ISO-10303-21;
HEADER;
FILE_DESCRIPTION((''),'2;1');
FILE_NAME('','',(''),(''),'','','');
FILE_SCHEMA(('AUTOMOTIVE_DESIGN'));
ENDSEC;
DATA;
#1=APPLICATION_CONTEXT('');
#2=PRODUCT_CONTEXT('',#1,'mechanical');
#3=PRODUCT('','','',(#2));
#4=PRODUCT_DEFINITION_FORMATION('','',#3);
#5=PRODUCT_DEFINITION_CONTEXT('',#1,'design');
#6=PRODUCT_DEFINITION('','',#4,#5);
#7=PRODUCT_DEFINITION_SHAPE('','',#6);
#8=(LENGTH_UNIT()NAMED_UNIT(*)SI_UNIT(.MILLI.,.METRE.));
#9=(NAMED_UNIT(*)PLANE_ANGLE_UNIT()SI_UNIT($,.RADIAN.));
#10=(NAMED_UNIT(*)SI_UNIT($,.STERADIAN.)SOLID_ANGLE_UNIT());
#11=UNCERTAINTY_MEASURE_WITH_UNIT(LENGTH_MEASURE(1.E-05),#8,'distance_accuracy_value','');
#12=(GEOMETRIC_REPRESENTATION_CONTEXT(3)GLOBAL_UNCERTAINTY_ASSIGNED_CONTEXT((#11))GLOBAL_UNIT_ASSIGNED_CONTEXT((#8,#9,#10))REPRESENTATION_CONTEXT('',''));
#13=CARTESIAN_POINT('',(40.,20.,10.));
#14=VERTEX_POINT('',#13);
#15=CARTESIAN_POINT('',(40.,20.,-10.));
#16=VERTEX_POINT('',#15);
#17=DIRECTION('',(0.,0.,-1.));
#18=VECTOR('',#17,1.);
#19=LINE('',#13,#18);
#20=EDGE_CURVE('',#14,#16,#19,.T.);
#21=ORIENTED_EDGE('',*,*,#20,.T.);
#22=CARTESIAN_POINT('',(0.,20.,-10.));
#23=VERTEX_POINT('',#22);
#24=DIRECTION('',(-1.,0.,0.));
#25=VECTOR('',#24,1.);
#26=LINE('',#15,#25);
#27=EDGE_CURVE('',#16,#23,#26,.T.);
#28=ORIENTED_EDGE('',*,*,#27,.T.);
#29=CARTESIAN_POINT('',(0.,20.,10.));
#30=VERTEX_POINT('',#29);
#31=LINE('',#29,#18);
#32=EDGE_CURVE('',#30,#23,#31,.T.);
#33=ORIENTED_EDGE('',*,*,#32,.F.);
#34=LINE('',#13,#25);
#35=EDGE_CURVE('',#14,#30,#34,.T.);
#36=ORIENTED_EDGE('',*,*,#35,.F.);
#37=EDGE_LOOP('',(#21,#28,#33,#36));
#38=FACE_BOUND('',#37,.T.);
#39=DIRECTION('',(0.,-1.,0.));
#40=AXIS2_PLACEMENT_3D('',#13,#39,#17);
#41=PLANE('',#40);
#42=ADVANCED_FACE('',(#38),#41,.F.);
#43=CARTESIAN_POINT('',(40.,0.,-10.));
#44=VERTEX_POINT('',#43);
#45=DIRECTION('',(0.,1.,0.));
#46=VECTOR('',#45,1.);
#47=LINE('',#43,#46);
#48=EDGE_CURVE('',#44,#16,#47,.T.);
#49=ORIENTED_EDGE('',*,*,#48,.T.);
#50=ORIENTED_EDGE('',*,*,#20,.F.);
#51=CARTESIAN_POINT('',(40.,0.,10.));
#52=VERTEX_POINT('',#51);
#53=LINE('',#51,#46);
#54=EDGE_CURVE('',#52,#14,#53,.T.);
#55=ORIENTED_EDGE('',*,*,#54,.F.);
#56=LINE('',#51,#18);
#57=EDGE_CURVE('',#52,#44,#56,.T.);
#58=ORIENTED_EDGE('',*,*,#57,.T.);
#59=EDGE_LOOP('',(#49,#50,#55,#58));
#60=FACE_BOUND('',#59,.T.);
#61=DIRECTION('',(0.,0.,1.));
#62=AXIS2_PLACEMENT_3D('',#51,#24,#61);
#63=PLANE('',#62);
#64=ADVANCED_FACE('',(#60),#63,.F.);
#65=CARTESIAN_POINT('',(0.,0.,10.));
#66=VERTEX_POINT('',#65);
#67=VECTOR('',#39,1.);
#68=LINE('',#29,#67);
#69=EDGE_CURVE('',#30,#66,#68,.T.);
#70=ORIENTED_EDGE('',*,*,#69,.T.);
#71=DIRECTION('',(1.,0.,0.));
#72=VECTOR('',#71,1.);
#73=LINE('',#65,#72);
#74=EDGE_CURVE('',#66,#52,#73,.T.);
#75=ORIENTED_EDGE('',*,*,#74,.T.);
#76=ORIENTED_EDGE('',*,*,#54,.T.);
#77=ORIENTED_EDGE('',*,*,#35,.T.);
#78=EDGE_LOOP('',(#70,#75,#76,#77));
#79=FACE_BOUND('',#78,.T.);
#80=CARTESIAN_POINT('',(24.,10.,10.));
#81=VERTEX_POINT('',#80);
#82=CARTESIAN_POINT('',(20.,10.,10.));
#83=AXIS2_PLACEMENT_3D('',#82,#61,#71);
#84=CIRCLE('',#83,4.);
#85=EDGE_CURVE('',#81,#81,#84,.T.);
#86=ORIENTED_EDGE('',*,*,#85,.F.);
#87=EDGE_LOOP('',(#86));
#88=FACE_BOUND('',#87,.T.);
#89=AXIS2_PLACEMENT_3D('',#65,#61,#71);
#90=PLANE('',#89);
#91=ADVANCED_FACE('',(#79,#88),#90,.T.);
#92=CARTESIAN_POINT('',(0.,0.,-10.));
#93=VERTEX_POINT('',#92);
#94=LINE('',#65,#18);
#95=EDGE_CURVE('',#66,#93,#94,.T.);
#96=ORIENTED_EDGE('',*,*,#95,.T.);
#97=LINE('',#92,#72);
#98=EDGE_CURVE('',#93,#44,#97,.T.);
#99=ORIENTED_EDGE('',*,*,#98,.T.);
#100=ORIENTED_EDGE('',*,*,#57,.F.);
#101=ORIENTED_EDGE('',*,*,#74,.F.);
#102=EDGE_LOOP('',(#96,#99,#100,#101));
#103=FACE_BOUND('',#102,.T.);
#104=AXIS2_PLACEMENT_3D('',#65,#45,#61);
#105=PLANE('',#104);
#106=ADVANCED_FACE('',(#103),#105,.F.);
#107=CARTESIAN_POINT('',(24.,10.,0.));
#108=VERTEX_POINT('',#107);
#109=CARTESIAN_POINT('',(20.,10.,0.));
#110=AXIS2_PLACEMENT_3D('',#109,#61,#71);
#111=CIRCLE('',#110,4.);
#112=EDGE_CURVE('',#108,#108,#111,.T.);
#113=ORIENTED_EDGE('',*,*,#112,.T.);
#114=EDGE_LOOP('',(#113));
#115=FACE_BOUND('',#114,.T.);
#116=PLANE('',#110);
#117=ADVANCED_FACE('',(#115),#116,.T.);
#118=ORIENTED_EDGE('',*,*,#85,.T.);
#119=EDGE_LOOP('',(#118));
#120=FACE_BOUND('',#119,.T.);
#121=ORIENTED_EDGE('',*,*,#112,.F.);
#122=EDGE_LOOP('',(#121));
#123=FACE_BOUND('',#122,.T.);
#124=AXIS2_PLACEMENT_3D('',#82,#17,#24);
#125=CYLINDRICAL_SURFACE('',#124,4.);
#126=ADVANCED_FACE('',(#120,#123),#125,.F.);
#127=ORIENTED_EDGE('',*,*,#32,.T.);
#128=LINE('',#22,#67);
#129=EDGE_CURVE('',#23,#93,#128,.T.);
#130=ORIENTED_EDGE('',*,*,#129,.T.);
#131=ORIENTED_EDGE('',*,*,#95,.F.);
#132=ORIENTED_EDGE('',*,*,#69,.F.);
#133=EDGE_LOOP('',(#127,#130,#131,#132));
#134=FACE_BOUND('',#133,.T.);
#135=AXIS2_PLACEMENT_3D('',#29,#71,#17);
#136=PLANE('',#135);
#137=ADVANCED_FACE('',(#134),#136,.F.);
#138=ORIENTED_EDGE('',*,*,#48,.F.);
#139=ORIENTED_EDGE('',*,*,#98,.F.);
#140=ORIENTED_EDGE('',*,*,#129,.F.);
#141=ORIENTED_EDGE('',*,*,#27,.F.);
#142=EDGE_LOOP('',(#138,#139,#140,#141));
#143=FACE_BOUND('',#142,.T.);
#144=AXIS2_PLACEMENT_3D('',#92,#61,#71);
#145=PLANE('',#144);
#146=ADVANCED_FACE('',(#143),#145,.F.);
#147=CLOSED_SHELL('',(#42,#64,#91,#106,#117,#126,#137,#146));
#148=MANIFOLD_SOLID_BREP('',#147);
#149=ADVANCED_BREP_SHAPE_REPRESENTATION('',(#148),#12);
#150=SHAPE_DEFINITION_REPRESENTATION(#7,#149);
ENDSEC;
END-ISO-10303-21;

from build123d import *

# Parameters (mm, degrees)
SKETCH1_W           = 40
SKETCH1_H           = 20
BOSS_EXTRUDE1_DEPTH = 10
SKETCH2_R           = 4
CUT_EXTRUDE1_DEPTH  = 46.82575695


with BuildPart() as part:
    # Sketch1 → Boss-Extrude1 (new, symmetric)
    with BuildSketch(Plane.XY):
        with Locations((20, 10)):
            Rectangle(SKETCH1_W, SKETCH1_H)
    extrude(amount=BOSS_EXTRUDE1_DEPTH, both=True)

    # Sketch2 → Cut-Extrude1 (cut, through all)
    with BuildSketch(Plane.XY):
        with Locations((20, 10)):
            Circle(SKETCH2_R)
    extrude(amount=CUT_EXTRUDE1_DEPTH, mode=Mode.SUBTRACT)


solid = part.part
